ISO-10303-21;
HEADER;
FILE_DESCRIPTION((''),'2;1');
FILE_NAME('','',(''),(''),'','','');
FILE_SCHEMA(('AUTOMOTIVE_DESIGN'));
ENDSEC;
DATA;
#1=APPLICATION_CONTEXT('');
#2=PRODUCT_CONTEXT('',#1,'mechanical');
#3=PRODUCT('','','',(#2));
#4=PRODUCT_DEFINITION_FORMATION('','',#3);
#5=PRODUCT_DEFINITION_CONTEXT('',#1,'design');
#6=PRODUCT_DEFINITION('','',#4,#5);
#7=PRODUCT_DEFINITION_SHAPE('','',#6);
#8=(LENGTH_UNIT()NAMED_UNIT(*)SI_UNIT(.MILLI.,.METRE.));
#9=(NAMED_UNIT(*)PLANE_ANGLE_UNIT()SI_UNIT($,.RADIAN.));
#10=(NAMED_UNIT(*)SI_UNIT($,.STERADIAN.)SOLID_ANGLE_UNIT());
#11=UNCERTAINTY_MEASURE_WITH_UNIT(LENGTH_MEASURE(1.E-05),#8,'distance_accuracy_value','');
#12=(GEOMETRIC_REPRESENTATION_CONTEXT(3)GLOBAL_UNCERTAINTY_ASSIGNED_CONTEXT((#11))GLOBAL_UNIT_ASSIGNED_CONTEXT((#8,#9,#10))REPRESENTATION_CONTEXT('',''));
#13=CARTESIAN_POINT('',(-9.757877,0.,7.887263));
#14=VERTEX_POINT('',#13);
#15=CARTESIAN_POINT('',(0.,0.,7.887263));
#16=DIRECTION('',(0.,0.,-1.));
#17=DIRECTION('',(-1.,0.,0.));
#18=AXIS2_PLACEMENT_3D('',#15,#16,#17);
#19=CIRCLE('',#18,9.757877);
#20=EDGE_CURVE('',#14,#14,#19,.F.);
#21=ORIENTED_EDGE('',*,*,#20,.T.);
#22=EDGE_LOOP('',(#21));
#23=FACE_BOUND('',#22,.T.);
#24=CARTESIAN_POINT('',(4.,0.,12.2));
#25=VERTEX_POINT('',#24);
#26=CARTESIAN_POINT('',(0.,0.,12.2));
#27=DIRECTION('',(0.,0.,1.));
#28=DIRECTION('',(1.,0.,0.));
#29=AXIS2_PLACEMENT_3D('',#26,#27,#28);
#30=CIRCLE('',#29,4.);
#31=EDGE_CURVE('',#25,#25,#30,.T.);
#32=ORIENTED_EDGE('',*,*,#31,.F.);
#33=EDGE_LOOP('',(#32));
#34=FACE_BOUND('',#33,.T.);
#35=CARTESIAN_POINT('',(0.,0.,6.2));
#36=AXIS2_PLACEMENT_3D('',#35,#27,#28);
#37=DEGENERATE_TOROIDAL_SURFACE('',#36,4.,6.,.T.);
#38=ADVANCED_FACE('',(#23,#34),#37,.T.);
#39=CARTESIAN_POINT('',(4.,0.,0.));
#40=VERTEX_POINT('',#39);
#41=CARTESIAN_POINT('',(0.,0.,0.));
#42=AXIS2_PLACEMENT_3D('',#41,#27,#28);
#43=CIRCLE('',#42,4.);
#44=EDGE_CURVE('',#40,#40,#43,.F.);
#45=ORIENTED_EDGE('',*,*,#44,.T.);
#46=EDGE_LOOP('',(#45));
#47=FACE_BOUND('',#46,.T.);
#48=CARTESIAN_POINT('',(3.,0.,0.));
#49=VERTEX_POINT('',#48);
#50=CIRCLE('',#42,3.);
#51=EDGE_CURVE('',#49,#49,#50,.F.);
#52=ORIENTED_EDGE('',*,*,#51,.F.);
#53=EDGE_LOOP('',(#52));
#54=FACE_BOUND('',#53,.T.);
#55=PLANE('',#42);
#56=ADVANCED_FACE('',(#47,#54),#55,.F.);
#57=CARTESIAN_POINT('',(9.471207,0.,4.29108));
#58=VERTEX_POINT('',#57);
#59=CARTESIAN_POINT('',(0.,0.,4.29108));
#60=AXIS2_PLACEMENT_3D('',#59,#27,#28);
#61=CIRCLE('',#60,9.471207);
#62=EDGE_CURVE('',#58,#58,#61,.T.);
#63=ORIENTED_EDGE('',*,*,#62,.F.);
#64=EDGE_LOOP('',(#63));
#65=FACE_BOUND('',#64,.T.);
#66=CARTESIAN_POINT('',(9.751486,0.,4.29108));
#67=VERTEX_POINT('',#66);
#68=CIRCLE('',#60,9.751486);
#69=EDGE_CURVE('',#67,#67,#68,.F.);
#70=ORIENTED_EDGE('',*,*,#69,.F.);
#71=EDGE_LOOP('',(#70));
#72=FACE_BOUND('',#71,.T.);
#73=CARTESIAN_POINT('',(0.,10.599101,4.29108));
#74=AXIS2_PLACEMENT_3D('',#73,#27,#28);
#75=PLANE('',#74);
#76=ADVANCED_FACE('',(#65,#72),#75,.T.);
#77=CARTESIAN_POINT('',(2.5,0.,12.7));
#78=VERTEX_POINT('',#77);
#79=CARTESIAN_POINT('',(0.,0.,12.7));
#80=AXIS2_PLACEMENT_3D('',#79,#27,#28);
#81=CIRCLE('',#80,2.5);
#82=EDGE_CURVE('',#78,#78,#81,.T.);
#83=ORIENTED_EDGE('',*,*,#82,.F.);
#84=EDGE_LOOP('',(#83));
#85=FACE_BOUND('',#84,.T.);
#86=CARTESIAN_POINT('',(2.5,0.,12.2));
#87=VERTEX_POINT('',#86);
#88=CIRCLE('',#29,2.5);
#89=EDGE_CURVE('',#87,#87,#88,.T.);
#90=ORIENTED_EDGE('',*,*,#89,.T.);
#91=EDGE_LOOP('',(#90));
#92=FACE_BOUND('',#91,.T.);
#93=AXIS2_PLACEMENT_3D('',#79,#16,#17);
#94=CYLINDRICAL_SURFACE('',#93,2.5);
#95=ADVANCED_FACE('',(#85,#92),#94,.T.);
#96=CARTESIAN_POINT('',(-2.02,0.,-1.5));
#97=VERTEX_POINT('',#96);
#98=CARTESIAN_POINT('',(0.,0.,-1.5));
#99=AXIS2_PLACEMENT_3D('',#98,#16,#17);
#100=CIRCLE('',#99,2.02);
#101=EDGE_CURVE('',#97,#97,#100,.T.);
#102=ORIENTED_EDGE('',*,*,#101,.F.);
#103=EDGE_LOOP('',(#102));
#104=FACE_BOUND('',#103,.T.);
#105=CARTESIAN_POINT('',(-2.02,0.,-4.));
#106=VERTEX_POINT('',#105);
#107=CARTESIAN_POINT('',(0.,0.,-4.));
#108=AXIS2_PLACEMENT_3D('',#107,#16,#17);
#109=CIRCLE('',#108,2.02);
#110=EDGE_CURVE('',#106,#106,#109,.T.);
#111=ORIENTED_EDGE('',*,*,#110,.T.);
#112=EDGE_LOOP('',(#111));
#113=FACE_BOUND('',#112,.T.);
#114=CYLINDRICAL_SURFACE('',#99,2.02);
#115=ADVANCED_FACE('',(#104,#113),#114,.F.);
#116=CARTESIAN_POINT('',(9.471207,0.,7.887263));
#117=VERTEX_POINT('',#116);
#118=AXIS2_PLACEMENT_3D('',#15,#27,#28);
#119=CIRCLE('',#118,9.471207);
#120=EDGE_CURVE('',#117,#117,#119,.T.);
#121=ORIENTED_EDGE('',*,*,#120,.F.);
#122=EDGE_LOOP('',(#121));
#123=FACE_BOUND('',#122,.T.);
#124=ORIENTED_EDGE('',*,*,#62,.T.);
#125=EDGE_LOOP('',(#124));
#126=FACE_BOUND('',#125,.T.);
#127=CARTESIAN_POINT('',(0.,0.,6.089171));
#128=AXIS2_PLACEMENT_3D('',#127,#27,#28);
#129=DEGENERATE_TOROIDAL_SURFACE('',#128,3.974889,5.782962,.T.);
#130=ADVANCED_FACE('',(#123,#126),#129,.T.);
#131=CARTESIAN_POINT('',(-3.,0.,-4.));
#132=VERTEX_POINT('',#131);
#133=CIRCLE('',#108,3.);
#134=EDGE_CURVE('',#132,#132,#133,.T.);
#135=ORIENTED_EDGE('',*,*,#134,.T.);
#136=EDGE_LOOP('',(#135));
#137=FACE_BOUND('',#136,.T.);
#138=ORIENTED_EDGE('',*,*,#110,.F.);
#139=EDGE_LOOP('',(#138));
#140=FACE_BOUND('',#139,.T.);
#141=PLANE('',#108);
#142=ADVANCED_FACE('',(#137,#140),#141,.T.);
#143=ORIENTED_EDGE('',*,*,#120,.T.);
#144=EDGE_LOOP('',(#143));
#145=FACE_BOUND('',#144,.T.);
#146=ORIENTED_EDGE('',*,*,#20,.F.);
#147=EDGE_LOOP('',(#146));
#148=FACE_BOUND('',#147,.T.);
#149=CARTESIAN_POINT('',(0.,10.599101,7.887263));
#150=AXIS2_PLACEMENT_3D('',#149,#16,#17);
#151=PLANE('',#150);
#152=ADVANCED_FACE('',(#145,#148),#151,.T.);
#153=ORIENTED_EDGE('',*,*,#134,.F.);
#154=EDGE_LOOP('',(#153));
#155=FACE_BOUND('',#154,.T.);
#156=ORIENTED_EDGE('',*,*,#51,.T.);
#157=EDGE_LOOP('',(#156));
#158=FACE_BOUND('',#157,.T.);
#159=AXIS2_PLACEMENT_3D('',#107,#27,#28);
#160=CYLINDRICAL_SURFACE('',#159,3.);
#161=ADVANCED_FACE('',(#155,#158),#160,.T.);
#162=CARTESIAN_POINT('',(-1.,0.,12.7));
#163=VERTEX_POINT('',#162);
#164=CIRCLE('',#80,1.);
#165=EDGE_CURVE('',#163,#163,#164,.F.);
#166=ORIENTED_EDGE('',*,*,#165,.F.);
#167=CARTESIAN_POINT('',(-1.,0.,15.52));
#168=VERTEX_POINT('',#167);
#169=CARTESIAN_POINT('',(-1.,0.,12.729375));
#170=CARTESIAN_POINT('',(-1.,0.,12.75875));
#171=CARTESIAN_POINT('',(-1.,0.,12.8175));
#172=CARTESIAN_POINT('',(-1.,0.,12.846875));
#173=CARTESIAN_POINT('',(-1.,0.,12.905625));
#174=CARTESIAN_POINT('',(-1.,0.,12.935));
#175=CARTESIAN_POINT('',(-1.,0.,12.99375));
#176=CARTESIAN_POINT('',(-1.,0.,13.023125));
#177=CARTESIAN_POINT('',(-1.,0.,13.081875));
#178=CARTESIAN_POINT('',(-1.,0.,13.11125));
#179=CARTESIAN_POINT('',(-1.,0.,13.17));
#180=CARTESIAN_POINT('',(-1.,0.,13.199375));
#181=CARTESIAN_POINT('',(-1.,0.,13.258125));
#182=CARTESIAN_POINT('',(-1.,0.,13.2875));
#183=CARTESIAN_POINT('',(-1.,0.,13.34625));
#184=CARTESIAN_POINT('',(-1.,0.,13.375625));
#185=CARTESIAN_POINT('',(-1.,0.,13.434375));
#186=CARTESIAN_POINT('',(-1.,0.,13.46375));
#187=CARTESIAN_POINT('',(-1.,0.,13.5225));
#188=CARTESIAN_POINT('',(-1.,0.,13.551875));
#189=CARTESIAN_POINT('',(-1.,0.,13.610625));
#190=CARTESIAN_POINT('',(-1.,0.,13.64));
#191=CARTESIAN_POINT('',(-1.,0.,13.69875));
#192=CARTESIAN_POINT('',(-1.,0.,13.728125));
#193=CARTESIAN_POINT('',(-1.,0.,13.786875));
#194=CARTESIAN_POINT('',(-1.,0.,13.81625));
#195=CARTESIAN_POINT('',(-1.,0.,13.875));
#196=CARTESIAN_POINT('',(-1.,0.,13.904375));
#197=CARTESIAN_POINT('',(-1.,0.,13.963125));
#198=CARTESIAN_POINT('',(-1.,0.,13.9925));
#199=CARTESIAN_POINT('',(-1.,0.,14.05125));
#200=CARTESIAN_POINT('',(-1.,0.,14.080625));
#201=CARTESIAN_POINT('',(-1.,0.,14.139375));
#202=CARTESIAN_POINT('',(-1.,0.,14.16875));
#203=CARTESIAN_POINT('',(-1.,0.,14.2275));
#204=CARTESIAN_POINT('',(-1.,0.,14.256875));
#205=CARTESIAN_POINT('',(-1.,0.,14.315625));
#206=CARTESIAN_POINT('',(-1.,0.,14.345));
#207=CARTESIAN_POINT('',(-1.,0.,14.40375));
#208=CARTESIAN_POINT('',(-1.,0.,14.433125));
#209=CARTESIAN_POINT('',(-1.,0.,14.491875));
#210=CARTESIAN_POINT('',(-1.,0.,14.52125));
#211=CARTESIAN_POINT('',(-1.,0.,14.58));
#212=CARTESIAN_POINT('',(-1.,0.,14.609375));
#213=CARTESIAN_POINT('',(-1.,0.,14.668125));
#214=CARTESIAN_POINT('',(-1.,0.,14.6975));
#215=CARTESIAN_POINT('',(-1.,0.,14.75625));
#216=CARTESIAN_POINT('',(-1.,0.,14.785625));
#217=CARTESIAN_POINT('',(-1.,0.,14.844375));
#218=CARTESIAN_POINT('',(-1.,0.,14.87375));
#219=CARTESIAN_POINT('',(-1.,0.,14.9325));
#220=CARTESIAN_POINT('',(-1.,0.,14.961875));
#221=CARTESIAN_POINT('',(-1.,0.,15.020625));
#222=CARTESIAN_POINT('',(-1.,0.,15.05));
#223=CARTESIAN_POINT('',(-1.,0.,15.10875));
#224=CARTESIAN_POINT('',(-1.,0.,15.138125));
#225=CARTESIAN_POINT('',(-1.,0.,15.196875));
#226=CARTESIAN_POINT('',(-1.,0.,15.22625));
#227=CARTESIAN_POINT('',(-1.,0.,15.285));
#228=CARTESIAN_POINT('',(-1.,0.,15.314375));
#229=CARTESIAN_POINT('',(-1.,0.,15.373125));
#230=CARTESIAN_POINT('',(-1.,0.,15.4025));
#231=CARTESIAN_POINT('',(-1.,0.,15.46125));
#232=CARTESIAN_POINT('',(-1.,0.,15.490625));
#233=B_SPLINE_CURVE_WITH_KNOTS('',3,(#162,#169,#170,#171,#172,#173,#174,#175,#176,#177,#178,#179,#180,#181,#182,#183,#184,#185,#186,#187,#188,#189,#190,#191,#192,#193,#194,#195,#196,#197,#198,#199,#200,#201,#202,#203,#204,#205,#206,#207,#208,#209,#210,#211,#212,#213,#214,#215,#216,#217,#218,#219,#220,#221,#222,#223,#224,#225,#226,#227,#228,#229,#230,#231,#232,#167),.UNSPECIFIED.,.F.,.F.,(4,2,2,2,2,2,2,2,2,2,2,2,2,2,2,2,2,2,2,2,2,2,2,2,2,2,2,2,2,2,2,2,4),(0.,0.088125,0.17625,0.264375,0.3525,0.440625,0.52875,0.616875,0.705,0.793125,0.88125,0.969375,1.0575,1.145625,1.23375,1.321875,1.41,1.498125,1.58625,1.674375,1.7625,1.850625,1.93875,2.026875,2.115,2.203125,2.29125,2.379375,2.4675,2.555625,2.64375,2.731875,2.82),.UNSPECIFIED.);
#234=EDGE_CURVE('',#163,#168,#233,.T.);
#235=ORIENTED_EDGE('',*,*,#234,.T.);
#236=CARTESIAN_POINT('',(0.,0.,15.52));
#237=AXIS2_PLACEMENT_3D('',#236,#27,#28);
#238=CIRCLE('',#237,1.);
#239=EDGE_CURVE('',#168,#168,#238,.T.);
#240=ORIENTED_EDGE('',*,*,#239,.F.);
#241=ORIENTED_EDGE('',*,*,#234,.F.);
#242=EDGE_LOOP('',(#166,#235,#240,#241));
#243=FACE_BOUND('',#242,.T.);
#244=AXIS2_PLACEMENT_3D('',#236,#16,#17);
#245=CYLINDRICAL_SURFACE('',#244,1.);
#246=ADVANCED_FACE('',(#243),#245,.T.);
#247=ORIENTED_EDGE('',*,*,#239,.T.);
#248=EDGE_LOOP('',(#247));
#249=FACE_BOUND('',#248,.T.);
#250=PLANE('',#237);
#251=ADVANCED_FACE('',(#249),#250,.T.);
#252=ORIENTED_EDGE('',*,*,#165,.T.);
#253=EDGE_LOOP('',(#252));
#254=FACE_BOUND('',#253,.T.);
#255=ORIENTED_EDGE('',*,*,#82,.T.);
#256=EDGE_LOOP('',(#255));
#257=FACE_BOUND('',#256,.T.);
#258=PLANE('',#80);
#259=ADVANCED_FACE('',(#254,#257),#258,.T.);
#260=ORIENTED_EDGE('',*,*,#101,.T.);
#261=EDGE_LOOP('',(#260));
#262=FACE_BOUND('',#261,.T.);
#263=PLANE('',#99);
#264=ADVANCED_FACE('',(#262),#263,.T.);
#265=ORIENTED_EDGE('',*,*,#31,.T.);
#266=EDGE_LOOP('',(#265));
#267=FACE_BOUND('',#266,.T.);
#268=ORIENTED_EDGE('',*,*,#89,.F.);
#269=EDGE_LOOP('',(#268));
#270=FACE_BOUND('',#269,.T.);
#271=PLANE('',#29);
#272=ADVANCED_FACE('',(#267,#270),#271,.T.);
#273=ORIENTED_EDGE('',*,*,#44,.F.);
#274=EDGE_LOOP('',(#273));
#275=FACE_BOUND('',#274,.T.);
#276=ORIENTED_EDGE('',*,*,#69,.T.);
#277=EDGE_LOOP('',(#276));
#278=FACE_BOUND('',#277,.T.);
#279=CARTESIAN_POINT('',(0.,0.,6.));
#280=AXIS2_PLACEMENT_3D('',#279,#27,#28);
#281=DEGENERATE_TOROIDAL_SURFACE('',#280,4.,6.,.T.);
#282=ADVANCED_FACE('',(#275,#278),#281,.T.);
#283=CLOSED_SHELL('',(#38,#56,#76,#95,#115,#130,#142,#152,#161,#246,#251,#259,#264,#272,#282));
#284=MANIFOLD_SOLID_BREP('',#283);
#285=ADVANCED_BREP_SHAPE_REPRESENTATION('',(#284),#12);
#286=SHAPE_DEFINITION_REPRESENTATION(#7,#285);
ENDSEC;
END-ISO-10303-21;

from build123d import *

# Parameters (mm, degrees)
SKETCH1_R           = 10
BOSS_EXTRUDE1_DEPTH = 12.2
SKETCH4_R           = 2.5
BOSS_EXTRUDE3_DEPTH = 0.5
SKETCH5_R           = 1
BOSS_EXTRUDE4_DEPTH = 3.32
FILLET1_R           = 6
SKETCH2_R           = 3
BOSS_EXTRUDE2_DEPTH = 4
SKETCH6_R           = 2.02
CUT_EXTRUDE1_DEPTH  = 2.5


with BuildPart() as part:
    # Sketch1 → Boss-Extrude1 (new body)
    with BuildSketch(Plane.XY):
        Circle(SKETCH1_R)
    extrude(amount=BOSS_EXTRUDE1_DEPTH)

    # Sketch4 → Boss-Extrude3 (add)
    with BuildSketch(Plane.XY.offset(12.2)):
        Circle(SKETCH4_R)
    extrude(amount=BOSS_EXTRUDE3_DEPTH)

    # Sketch5 → Boss-Extrude4 (add)
    with BuildSketch(Plane.XY.offset(12.2)):
        with Locations(Location((0, 0, 0), (0, 0, 180))):
            Circle(SKETCH5_R)
    extrude(amount=BOSS_EXTRUDE4_DEPTH)

    # Fillet1
    fillet1_edges = [part.edges().sort_by_distance(p)[0] for p in [
        (-10, 0, 0),
        (-10, 0, 12.2),
    ]]
    fillet(fillet1_edges, radius=FILLET1_R)

    # Sketch2 → Boss-Extrude2 (add)
    with BuildSketch(Plane(origin=(0, 0, 0), x_dir=(-1, 0, 0), z_dir=(0, 0, -1))):
        with Locations(Location((0, 0, 0), (0, 0, 180))):
            Circle(SKETCH2_R)
    extrude(amount=BOSS_EXTRUDE2_DEPTH)

    # Sketch6 → Cut-Extrude1 (cut)
    with BuildSketch(Plane(origin=(0, 0, -4), x_dir=(-1, 0, 0), z_dir=(0, 0, -1))):
        Circle(SKETCH6_R)
    extrude(amount=-CUT_EXTRUDE1_DEPTH, mode=Mode.SUBTRACT)

    # Sketch7 → Cut-Revolve1 (revolve, cut)
    with BuildSketch(Plane(origin=(0, 0, 0), x_dir=(0, 0, -1), z_dir=(1, 0, 0)), mode=Mode.PRIVATE) as cut_revolve1_sk:
        with BuildLine():
            Line((-7.887262955, 10.599100827), (-4.29107992, 10.599100827))
            Line((-4.29107992, 10.599100827), (-4.29107992, 9.471207056))
            ThreePointArc((-4.29107992, 9.471207056), (-6.089171437, 9.757850623), (-7.887262955, 9.471207056))
            Line((-7.887262955, 9.471207056), (-7.887262955, 10.599100827))
        make_face()
    revolve(cut_revolve1_sk.sketch.rotate(Axis((0, 0, 15.193399994), (0, 0, -1)), 90), axis=Axis((0, 0, 15.193399994), (0, 0, -1)), mode=Mode.SUBTRACT)


solid = part.part
